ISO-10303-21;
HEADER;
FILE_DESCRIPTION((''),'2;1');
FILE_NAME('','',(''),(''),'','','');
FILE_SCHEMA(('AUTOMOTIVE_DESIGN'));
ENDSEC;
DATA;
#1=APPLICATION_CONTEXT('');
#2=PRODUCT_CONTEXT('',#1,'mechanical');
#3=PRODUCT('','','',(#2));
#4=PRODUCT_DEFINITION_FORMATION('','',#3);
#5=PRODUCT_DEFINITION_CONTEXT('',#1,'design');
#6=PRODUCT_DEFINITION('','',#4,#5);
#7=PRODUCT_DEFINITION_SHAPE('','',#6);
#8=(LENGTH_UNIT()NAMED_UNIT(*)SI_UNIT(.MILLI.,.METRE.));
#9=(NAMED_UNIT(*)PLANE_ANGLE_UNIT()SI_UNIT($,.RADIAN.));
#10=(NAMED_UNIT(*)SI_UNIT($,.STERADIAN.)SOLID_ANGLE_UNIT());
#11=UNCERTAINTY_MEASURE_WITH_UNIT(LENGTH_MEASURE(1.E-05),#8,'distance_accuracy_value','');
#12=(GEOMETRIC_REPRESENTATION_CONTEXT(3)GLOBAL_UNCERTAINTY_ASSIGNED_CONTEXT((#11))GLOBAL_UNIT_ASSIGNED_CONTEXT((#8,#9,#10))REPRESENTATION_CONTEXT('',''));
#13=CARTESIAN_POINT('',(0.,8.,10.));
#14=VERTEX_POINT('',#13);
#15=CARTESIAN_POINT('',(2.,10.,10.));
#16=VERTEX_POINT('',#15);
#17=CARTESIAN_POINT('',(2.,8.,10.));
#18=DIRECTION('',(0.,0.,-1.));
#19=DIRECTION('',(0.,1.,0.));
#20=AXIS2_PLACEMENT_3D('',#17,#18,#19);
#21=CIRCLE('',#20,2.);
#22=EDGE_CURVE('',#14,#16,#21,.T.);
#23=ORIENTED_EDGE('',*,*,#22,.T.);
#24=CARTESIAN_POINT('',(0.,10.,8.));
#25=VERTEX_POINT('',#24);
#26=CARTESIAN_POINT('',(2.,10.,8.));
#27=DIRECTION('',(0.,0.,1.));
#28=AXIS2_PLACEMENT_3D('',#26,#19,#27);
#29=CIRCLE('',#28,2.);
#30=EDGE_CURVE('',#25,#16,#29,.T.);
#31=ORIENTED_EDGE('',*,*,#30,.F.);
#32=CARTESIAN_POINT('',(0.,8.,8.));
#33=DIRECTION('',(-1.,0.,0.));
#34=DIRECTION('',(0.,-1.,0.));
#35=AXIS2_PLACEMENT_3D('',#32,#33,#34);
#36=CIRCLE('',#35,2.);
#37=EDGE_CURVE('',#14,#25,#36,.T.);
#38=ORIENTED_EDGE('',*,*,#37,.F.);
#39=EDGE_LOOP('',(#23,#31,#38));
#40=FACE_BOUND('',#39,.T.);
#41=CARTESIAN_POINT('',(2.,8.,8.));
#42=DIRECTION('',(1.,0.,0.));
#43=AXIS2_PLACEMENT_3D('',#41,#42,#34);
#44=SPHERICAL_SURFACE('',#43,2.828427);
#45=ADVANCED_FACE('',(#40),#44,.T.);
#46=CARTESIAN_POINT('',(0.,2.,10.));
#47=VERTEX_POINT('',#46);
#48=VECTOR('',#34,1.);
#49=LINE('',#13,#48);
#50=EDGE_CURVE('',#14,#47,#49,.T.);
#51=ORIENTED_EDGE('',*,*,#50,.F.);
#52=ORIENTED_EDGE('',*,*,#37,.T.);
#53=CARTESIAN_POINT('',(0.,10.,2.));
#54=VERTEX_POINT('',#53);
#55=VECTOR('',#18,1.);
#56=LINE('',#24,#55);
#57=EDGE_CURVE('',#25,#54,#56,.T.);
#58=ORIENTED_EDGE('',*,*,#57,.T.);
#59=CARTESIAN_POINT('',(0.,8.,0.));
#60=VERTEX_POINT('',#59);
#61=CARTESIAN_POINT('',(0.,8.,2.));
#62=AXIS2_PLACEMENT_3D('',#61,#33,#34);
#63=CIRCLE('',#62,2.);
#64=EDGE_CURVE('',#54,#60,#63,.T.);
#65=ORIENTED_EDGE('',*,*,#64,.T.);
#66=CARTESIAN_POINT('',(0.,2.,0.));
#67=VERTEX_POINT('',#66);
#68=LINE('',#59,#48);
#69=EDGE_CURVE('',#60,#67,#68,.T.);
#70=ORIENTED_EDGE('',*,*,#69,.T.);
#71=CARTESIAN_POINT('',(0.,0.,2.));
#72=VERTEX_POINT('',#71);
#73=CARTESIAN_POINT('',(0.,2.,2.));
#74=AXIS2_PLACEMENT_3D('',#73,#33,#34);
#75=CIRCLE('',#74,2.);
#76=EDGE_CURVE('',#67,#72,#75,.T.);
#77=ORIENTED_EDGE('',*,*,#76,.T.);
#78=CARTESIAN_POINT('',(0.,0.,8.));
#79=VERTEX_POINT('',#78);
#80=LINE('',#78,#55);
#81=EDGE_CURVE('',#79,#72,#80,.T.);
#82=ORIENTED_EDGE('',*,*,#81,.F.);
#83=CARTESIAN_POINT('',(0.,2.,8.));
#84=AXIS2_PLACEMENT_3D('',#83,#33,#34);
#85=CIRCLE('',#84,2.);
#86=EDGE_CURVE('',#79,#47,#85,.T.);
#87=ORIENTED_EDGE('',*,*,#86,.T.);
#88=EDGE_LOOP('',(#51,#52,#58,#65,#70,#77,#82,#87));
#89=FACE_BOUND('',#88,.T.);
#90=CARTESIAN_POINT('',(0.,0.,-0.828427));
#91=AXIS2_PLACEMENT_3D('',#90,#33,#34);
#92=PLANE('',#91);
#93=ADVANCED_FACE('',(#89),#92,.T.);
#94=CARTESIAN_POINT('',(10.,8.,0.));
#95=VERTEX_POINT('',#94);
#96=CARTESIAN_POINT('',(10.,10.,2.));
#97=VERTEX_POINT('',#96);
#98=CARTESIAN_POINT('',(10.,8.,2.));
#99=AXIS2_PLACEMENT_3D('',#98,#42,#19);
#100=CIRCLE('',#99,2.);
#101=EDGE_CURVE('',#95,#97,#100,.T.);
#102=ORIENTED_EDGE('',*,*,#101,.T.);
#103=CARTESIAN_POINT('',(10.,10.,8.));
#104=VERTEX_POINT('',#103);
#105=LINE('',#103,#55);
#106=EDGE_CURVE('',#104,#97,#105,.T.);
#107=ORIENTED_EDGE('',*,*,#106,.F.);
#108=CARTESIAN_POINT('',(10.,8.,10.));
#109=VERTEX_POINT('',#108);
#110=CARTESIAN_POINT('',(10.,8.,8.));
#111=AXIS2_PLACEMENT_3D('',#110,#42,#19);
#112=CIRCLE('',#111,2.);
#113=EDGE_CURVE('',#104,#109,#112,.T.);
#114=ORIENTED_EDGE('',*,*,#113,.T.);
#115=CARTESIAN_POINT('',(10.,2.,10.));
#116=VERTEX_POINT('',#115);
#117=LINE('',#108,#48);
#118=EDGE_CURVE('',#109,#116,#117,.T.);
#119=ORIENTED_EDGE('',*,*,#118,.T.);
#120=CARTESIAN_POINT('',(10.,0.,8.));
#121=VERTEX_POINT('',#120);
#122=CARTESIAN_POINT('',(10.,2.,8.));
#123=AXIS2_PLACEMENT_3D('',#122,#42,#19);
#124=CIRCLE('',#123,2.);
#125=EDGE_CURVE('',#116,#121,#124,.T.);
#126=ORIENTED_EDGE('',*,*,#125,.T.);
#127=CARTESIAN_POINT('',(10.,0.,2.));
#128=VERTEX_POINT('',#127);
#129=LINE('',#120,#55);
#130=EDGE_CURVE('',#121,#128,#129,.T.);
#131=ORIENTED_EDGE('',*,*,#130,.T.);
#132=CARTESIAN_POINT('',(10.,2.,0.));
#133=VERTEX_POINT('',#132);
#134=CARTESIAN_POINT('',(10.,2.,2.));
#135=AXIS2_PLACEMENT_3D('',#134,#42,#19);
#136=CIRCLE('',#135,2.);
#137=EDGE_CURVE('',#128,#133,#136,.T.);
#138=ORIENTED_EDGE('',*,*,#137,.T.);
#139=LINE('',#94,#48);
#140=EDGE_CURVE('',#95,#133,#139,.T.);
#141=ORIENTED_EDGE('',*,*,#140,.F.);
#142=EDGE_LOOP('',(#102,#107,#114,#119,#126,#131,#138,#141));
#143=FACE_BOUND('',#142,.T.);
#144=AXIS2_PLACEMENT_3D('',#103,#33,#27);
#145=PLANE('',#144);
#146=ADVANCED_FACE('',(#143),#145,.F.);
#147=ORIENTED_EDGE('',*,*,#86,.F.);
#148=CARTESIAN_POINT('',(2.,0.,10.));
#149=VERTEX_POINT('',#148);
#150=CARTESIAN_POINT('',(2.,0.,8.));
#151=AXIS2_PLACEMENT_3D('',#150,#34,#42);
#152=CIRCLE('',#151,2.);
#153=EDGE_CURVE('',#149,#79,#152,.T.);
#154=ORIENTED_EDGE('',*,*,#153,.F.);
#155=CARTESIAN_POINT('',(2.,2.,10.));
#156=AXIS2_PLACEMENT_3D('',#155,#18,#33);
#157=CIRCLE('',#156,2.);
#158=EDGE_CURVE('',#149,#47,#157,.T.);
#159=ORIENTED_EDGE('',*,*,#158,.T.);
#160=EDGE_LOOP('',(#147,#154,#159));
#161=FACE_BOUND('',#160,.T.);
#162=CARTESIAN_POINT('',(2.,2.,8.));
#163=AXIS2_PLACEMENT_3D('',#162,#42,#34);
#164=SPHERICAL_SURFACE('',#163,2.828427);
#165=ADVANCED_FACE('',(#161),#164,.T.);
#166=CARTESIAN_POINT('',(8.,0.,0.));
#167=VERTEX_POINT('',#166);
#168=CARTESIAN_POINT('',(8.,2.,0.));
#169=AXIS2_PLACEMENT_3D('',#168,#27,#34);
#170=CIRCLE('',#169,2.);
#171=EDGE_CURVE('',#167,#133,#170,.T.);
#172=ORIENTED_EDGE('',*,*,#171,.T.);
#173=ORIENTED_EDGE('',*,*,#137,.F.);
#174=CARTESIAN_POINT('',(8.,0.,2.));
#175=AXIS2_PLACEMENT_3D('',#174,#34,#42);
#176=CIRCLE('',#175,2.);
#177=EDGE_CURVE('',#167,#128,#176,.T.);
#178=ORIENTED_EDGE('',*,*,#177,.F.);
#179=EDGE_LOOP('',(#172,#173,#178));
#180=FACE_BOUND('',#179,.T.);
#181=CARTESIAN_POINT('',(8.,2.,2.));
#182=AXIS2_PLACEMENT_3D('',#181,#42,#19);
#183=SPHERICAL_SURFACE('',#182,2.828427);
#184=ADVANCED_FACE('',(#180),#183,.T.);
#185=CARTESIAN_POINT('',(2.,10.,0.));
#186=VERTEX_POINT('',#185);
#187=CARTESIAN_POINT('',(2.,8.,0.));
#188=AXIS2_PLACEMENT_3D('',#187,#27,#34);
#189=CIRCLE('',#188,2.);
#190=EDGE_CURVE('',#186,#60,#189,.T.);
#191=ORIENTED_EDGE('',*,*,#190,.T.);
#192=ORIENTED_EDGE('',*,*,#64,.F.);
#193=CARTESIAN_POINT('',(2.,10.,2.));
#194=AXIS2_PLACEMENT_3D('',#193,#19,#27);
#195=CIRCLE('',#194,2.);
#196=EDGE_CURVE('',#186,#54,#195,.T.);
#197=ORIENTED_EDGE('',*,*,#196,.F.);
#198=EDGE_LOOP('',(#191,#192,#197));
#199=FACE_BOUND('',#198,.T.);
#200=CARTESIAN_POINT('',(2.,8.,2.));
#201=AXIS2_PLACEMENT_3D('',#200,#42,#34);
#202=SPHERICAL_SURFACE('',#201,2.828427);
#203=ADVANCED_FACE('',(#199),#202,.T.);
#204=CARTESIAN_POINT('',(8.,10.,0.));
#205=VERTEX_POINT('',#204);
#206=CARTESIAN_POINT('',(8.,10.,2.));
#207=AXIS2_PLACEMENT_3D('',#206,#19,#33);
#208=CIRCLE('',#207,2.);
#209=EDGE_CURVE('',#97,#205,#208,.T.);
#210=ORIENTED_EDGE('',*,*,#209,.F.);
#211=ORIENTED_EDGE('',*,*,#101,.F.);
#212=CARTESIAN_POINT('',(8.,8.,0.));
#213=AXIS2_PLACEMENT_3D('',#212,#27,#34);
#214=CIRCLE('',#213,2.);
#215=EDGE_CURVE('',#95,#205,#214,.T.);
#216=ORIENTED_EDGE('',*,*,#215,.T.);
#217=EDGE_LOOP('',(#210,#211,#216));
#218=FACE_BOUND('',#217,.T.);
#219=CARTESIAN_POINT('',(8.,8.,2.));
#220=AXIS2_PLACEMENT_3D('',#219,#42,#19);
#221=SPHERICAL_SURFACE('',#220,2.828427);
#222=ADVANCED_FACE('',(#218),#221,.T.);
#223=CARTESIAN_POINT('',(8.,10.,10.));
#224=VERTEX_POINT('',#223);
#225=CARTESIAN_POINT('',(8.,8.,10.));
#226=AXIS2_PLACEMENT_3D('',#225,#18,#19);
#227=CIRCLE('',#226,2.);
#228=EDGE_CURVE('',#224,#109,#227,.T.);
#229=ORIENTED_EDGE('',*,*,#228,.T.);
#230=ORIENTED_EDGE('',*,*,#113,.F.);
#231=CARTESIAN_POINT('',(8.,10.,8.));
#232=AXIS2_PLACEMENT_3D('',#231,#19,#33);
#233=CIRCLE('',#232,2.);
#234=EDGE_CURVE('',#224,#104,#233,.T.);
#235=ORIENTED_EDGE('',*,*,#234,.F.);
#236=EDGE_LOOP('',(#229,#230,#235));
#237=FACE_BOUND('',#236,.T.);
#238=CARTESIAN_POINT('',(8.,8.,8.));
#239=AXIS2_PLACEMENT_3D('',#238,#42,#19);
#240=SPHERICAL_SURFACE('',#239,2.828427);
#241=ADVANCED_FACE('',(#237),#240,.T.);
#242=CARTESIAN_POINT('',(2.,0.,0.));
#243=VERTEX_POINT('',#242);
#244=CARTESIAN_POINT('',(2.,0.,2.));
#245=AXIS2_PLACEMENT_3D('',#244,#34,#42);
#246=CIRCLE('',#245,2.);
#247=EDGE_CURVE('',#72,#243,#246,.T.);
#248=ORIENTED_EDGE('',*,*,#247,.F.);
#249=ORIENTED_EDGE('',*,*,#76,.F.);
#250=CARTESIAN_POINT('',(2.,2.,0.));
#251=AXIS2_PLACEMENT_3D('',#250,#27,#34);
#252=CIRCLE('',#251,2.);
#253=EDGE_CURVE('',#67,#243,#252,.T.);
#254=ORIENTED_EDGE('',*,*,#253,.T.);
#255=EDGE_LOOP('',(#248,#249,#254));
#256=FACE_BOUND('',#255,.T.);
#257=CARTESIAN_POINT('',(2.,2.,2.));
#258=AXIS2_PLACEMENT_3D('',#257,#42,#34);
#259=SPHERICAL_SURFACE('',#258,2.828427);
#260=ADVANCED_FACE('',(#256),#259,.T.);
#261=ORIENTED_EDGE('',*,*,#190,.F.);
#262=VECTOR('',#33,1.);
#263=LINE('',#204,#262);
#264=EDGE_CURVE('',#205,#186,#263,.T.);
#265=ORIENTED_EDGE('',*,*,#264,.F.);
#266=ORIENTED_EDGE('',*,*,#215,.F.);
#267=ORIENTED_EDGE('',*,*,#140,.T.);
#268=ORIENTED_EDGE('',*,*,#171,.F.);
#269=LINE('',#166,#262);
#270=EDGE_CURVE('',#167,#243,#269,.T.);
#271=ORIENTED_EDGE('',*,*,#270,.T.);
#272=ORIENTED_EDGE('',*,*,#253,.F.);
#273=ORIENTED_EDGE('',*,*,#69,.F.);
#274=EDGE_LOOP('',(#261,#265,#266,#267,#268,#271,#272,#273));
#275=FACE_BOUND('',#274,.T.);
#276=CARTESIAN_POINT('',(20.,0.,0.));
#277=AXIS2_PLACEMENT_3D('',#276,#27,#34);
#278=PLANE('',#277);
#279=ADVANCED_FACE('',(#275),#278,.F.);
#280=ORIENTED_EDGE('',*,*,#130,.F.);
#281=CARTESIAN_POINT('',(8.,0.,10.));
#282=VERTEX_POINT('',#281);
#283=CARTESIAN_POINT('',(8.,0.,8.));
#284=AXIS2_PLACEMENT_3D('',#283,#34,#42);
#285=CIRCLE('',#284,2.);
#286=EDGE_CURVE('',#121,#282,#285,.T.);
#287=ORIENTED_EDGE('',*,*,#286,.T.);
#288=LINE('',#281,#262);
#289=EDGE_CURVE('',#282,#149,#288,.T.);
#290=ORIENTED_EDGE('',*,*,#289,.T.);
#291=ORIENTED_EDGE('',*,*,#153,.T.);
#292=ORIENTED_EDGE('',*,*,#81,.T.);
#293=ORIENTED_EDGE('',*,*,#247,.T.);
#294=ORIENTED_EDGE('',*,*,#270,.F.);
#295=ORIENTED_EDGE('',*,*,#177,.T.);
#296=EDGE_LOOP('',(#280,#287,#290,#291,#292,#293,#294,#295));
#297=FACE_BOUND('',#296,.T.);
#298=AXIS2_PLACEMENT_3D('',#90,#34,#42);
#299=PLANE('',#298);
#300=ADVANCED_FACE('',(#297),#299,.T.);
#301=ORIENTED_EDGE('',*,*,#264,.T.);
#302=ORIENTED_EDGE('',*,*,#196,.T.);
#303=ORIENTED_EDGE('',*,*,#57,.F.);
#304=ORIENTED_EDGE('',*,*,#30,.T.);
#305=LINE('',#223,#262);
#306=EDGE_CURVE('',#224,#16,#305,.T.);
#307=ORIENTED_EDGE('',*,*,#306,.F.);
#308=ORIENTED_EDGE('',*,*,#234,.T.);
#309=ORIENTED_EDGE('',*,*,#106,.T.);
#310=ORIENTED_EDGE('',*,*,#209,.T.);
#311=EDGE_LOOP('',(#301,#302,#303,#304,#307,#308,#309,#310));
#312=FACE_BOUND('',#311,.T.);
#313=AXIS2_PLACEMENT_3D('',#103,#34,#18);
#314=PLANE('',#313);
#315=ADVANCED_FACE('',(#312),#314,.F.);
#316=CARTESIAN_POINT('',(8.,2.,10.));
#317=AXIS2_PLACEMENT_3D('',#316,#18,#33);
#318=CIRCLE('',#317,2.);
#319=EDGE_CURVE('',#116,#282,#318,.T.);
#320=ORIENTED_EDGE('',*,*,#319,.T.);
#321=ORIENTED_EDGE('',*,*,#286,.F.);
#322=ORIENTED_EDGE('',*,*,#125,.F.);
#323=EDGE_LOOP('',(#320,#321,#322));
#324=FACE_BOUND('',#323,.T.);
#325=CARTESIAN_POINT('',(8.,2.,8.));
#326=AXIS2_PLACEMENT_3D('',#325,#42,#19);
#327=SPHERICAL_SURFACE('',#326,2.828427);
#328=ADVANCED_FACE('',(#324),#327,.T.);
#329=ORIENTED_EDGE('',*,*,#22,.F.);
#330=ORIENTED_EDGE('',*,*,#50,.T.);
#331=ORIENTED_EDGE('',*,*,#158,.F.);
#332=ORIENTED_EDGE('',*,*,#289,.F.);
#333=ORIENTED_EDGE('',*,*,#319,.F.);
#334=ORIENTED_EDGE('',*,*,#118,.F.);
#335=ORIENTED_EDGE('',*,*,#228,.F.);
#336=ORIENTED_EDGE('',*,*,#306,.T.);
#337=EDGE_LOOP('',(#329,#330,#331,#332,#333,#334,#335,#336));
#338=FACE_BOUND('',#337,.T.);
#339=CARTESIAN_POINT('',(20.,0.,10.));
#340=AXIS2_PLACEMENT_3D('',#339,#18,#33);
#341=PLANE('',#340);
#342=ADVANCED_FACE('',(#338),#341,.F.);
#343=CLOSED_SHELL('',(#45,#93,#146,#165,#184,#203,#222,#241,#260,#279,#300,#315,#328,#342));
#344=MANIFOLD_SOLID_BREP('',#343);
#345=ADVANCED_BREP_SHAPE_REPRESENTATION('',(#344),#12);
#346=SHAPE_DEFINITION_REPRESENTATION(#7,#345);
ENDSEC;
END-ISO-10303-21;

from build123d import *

# Parameters (mm, degrees)
PADR_O_LINEAR2_COUNT       = 2
PADR_O_LINEAR2_PITCH       = 6
PADR_O_LINEAR2_2_COUNT     = 2
PADR_O_LINEAR2_2_PITCH     = 6
CORTE_EXTRUS_O1_DEPTH      = 19.755385946
CORTE_EXTRUS_O1_DEPTH_BACK = 19.755385946
ESBO_O3_W                  = 20
ESBO_O3_H                  = 20
ESBO_O3_W_2                = 2
ESBO_O3_H_2                = 2
CORTE_EXTRUS_O3_DEPTH      = 20
CORTE_EXTRUS_O3_DEPTH_BACK = 10
ESBO_O4_W                  = 20
ESBO_O4_H                  = 20
ESBO_O4_W_2                = 2
ESBO_O4_H_2                = 2
ESBO_O5_W                  = 10
ESBO_O5_H                  = 10
RESSALTO_EXTRUS_O1_DEPTH   = 6
ESBO_O6_W                  = 10
ESBO_O6_H                  = 10
RESSALTO_EXTRUS_O2_DEPTH   = 6
ESBO_O7_W                  = 10
ESBO_O7_H                  = 10
RESSALTO_EXTRUS_O3_DEPTH   = 6


with BuildPart() as part:
    # Esboço2 → Revolução1 (revolve)
    with BuildSketch(Plane.XY.offset(2)):
        with BuildLine():
            Line((2, 2), (-0.828427125, 2))
            ThreePointArc((-0.828427125, 2), (2, -0.828427125), (4.828427125, 2))
            Line((4.828427125, 2), (2, 2))
        make_face()
        with BuildLine():
            Line((8, 2), (5.171572875, 2))
            ThreePointArc((5.171572875, 2), (8, -0.828427125), (10.828427125, 2))
            Line((10.828427125, 2), (8, 2))
        make_face()
    revolve(axis=Axis((2, 2, 2), (-1, 0, 0)))


with BuildPart() as padr_o_linear2_1:
    # Padrão linear2: pattern copy
    add(part.part.moved(Location(Vector(0, 0, 1) * (1 * PADR_O_LINEAR2_PITCH))))


with BuildPart() as padr_o_linear2_2_1:
    # Padr_o linear2 2: pattern copy
    add(part.part.moved(Location(Vector(0, 1, 0) * (1 * PADR_O_LINEAR2_2_PITCH))))


with BuildPart() as padr_o_linear2_2_2:
    # Padr_o linear2 2: pattern copy
    add(padr_o_linear2_1.part.moved(Location(Vector(0, 1, 0) * (1 * PADR_O_LINEAR2_2_PITCH))))


with BuildPart() as corte_extrus_o1_tool:
    # Esboço3 → Corte-extrusão1 (new, two sides: drawn at the far end of the back side and taken through both)
    with BuildSketch(Plane.XY.offset(-CORTE_EXTRUS_O1_DEPTH_BACK)):
        with Locations((5, 5)):
            Rectangle(ESBO_O3_W, ESBO_O3_H)
        with Locations((1, 9)):
            Rectangle(ESBO_O3_W_2, ESBO_O3_H_2, mode=Mode.SUBTRACT)
        with Locations((1, 1)):
            Rectangle(ESBO_O3_W_2, ESBO_O3_H_2, mode=Mode.SUBTRACT)
        with Locations((9, 1)):
            Rectangle(ESBO_O3_W_2, ESBO_O3_H_2, mode=Mode.SUBTRACT)
        with Locations((9, 9)):
            Rectangle(ESBO_O3_W_2, ESBO_O3_H_2, mode=Mode.SUBTRACT)
    extrude(amount=CORTE_EXTRUS_O1_DEPTH + CORTE_EXTRUS_O1_DEPTH_BACK)


with BuildPart() as part_1:
    add(part.part)

    # Corte-extrusão1: cut by corte_extrus_o1_tool
    add(corte_extrus_o1_tool.part, mode=Mode.SUBTRACT)


with BuildPart() as padr_o_linear2_1_1:
    add(padr_o_linear2_1.part)

    # Corte-extrusão1: cut by corte_extrus_o1_tool
    add(corte_extrus_o1_tool.part, mode=Mode.SUBTRACT)


with BuildPart() as padr_o_linear2_2_1_1:
    add(padr_o_linear2_2_1.part)

    # Corte-extrusão1: cut by corte_extrus_o1_tool
    add(corte_extrus_o1_tool.part, mode=Mode.SUBTRACT)


with BuildPart() as padr_o_linear2_2_2_1:
    add(padr_o_linear2_2_2.part)

    # Corte-extrusão1: cut by corte_extrus_o1_tool
    add(corte_extrus_o1_tool.part, mode=Mode.SUBTRACT)


with BuildPart() as corte_extrus_o3_tool:
    # Esboço4 → Corte-extrusão3 (new, two sides: drawn at the far end of the back side and taken through both)
    with BuildSketch(Plane(origin=(0, 0, 0), x_dir=(0, 0, -1), z_dir=(1, 0, 0)).offset(-CORTE_EXTRUS_O3_DEPTH_BACK)):
        with Locations((-5, 5)):
            Rectangle(ESBO_O4_W, ESBO_O4_H)
        with Locations((-9, 9)):
            Rectangle(ESBO_O4_W_2, ESBO_O4_H_2, mode=Mode.SUBTRACT)
        with Locations((-1, 1)):
            Rectangle(ESBO_O4_W_2, ESBO_O4_H_2, mode=Mode.SUBTRACT)
        with Locations((-1, 9)):
            Rectangle(ESBO_O4_W_2, ESBO_O4_H_2, mode=Mode.SUBTRACT)
        with Locations((-9, 1)):
            Rectangle(ESBO_O4_W_2, ESBO_O4_H_2, mode=Mode.SUBTRACT)
    extrude(amount=CORTE_EXTRUS_O3_DEPTH + CORTE_EXTRUS_O3_DEPTH_BACK)


with BuildPart() as part_2:
    add(part_1.part)

    # Corte-extrusão3: cut by corte_extrus_o3_tool
    add(corte_extrus_o3_tool.part, mode=Mode.SUBTRACT)



with BuildPart() as padr_o_linear2_1_2:
    add(padr_o_linear2_1_1.part)

    # Corte-extrusão3: cut by corte_extrus_o3_tool
    add(corte_extrus_o3_tool.part, mode=Mode.SUBTRACT)


with BuildPart() as padr_o_linear2_2_1_2:
    add(padr_o_linear2_2_1_1.part)

    # Corte-extrusão3: cut by corte_extrus_o3_tool
    add(corte_extrus_o3_tool.part, mode=Mode.SUBTRACT)


with BuildPart() as padr_o_linear2_2_2_2:
    add(padr_o_linear2_2_2_1.part)

    # Corte-extrusão3: cut by corte_extrus_o3_tool
    add(corte_extrus_o3_tool.part, mode=Mode.SUBTRACT)


with BuildPart() as part_3:
    add(part_2.part)

    add(padr_o_linear2_1_2.part)  # Ressalto-extrusão1 merges Padrão linear2_1

    add(padr_o_linear2_2_1_2.part)  # Ressalto-extrusão1 merges Padrão linear2 2_1

    add(padr_o_linear2_2_2_2.part)  # Ressalto-extrusão1 merges Padrão linear2 2_2
    # Esboço5 → Ressalto-extrusão1 (add)
    with BuildSketch(Plane.XY.offset(2)):
        with Locations((5, 5)):
            Rectangle(ESBO_O5_W, ESBO_O5_H)
    extrude(amount=RESSALTO_EXTRUS_O1_DEPTH)

    # Esboço6 → Ressalto-extrusão2 (add)
    with BuildSketch(Plane(origin=(2, 0, 0), x_dir=(0, 0, -1), z_dir=(1, 0, 0))):
        with Locations((-5, 5)):
            Rectangle(ESBO_O6_W, ESBO_O6_H)
    extrude(amount=RESSALTO_EXTRUS_O2_DEPTH)

    # Esboço7 → Ressalto-extrusão3 (add)
    with BuildSketch(Plane(origin=(0, 2, 0), x_dir=(1, 0, 0), z_dir=(0, 1, 0))):
        with Locations((5, -5)):
            Rectangle(ESBO_O7_W, ESBO_O7_H)
    extrude(amount=RESSALTO_EXTRUS_O3_DEPTH)


solid = part_3.part
